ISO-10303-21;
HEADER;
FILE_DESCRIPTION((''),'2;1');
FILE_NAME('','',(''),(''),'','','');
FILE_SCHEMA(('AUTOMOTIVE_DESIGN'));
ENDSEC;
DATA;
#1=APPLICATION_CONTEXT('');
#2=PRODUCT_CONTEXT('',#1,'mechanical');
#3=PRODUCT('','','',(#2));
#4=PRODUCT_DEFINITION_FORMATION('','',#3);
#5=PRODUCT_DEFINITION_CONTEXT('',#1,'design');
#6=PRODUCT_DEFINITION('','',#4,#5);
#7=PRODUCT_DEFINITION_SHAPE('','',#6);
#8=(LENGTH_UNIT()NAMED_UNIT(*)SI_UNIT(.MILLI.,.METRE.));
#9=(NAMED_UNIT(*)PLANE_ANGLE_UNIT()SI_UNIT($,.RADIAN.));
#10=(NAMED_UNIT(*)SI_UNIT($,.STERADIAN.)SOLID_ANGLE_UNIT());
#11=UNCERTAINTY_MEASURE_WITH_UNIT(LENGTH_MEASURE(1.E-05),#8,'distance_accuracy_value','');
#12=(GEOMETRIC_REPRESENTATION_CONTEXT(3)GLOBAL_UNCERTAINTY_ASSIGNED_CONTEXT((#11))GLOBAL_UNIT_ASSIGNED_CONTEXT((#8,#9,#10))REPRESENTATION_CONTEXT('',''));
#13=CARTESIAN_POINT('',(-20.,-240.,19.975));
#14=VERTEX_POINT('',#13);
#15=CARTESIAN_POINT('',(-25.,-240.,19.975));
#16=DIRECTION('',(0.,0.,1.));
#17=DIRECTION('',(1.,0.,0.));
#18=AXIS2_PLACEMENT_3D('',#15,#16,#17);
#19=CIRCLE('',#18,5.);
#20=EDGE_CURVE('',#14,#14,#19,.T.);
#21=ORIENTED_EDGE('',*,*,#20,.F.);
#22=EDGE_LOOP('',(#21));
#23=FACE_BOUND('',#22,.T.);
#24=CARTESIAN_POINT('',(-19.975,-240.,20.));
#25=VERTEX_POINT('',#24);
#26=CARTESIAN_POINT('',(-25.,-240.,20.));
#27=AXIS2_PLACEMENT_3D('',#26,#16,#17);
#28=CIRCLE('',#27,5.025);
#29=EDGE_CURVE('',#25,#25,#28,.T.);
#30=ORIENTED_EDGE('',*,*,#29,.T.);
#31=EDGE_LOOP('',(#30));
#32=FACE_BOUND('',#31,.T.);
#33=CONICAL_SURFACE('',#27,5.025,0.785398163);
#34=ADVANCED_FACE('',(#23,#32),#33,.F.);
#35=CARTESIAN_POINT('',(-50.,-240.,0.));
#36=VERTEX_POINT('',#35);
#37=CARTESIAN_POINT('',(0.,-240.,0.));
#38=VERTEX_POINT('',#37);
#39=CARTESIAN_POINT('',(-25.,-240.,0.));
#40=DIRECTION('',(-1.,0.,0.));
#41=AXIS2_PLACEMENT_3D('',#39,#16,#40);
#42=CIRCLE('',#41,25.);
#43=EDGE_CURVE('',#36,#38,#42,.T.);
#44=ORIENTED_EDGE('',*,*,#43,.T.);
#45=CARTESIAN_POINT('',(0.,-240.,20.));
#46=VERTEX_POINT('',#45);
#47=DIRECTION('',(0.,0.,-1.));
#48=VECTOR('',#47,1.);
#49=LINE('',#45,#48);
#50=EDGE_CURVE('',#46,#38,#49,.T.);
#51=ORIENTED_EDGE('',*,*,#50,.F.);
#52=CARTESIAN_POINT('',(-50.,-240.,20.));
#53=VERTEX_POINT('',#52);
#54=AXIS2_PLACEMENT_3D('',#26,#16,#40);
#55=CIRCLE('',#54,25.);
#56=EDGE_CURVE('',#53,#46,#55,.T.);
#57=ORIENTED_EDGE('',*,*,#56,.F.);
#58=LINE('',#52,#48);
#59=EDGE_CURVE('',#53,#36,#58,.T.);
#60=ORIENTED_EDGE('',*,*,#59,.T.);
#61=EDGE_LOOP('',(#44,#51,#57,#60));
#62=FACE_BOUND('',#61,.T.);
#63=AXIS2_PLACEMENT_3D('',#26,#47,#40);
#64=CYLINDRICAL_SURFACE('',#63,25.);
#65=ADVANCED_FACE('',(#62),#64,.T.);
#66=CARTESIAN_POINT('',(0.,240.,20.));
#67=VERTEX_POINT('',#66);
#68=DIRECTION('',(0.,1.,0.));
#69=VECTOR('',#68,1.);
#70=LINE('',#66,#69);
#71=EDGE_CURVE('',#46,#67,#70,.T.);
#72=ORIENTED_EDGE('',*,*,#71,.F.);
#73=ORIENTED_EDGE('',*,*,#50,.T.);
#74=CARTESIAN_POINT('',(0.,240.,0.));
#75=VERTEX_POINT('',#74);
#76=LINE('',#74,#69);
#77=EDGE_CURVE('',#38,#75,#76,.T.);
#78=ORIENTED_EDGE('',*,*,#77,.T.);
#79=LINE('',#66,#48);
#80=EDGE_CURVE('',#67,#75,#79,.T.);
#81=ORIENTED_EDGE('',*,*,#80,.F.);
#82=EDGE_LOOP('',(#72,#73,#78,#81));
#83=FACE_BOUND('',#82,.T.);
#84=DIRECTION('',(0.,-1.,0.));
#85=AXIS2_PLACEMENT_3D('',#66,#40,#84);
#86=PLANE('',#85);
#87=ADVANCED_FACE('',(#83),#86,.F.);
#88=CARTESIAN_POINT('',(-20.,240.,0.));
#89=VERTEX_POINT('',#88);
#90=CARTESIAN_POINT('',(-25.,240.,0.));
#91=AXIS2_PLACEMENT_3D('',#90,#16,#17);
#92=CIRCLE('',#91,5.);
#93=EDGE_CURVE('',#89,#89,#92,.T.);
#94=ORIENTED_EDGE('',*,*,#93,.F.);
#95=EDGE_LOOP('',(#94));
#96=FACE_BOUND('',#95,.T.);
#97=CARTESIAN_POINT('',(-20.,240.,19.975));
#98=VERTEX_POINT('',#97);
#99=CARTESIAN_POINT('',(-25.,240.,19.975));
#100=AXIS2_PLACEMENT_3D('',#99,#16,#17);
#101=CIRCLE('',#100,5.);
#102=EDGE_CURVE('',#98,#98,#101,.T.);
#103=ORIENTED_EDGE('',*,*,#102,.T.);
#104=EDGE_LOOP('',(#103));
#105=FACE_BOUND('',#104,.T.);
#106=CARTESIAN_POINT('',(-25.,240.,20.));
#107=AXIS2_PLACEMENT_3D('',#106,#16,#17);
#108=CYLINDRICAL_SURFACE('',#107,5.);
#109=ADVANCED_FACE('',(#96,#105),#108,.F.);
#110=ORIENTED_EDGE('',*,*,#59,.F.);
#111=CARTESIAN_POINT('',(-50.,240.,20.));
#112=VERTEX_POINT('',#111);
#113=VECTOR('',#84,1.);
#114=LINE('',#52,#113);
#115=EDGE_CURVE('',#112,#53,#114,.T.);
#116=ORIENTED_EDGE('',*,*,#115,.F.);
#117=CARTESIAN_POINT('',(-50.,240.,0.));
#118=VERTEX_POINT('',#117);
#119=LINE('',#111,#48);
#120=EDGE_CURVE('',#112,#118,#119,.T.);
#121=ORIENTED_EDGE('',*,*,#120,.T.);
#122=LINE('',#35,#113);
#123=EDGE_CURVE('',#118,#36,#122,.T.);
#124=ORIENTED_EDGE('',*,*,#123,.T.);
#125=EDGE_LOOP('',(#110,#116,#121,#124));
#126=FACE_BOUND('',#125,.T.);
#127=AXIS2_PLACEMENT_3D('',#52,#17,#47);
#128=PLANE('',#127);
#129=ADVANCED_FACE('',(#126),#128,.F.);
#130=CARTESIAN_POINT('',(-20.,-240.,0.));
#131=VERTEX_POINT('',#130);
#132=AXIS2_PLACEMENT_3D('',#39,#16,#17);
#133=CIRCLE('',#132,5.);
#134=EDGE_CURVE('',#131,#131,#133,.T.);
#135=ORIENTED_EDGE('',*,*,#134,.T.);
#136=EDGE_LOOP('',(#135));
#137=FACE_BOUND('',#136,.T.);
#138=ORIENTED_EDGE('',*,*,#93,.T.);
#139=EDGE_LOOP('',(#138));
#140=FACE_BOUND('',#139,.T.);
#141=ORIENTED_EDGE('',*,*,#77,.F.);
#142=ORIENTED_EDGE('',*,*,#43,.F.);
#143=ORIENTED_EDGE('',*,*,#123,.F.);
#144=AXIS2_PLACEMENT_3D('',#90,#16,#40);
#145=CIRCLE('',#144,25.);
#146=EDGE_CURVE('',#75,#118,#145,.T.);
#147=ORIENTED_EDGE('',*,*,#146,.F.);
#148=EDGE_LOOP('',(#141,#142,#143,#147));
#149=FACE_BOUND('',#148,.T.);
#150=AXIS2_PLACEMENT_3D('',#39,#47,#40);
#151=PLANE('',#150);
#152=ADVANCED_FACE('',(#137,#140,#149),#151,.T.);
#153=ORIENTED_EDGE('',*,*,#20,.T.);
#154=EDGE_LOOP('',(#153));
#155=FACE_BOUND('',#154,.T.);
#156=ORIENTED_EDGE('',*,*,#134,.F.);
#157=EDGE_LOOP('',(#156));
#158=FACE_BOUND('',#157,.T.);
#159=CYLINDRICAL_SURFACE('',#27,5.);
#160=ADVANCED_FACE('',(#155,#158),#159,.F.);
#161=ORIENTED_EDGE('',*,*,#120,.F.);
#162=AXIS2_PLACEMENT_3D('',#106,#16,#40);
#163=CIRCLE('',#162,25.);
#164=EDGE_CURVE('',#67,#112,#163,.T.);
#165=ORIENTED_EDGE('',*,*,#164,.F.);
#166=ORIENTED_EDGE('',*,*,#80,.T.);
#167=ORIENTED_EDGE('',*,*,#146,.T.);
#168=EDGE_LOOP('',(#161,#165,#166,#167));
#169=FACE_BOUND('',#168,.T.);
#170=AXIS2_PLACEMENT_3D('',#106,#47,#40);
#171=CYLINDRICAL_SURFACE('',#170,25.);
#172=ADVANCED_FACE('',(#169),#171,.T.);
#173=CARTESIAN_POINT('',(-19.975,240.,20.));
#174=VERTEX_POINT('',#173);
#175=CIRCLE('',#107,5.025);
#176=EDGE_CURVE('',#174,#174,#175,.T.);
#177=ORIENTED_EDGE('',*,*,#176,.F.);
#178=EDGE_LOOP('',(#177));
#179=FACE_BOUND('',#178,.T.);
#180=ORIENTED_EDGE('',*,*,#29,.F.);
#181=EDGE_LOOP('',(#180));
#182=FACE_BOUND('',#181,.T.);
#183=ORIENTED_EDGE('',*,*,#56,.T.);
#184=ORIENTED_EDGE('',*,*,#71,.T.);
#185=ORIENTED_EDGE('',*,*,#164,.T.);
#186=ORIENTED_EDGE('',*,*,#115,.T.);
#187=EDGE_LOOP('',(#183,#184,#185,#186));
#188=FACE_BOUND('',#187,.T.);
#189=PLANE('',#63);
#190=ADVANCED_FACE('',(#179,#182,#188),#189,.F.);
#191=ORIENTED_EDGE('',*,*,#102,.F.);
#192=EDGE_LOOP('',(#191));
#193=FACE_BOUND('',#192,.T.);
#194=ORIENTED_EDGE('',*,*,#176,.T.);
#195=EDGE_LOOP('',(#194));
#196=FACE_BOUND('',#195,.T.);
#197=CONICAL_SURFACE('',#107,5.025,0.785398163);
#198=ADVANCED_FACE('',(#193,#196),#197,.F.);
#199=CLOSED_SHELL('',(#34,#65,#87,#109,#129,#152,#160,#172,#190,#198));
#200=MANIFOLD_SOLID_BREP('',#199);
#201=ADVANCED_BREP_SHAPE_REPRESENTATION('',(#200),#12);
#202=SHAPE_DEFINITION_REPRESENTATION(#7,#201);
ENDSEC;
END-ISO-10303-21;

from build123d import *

# Parameters (mm, degrees)
BOSS_EXTRUDE1_DEPTH              = 20
F_10_0MM_DOWEL_HOLE1_D           = 10
F_10_0MM_DOWEL_HOLE1_CSINK_D     = 10.05
F_10_0MM_DOWEL_HOLE1_CSINK_ANGLE = 90


with BuildPart() as part:
    # Sketch2 → Boss-Extrude1 (new body)
    with BuildSketch(Plane.XY):
        with BuildLine():
            Line((-50, -240), (-50, 240))
            ThreePointArc((-50, 240), (-25, 265), (0, 240))
            Line((0, 240), (0, -240))
            ThreePointArc((0, -240), (-25, -265), (-50, -240))
        make_face()
    extrude(amount=BOSS_EXTRUDE1_DEPTH)

    # Ø10.0mm Dowel Hole1 (through all)
    with Locations(Plane.XY.offset(20)):
        with Locations((-25, 240), (-25, -240)):
            CounterSinkHole(F_10_0MM_DOWEL_HOLE1_D / 2, F_10_0MM_DOWEL_HOLE1_CSINK_D / 2, counter_sink_angle=F_10_0MM_DOWEL_HOLE1_CSINK_ANGLE)


solid = part.part
